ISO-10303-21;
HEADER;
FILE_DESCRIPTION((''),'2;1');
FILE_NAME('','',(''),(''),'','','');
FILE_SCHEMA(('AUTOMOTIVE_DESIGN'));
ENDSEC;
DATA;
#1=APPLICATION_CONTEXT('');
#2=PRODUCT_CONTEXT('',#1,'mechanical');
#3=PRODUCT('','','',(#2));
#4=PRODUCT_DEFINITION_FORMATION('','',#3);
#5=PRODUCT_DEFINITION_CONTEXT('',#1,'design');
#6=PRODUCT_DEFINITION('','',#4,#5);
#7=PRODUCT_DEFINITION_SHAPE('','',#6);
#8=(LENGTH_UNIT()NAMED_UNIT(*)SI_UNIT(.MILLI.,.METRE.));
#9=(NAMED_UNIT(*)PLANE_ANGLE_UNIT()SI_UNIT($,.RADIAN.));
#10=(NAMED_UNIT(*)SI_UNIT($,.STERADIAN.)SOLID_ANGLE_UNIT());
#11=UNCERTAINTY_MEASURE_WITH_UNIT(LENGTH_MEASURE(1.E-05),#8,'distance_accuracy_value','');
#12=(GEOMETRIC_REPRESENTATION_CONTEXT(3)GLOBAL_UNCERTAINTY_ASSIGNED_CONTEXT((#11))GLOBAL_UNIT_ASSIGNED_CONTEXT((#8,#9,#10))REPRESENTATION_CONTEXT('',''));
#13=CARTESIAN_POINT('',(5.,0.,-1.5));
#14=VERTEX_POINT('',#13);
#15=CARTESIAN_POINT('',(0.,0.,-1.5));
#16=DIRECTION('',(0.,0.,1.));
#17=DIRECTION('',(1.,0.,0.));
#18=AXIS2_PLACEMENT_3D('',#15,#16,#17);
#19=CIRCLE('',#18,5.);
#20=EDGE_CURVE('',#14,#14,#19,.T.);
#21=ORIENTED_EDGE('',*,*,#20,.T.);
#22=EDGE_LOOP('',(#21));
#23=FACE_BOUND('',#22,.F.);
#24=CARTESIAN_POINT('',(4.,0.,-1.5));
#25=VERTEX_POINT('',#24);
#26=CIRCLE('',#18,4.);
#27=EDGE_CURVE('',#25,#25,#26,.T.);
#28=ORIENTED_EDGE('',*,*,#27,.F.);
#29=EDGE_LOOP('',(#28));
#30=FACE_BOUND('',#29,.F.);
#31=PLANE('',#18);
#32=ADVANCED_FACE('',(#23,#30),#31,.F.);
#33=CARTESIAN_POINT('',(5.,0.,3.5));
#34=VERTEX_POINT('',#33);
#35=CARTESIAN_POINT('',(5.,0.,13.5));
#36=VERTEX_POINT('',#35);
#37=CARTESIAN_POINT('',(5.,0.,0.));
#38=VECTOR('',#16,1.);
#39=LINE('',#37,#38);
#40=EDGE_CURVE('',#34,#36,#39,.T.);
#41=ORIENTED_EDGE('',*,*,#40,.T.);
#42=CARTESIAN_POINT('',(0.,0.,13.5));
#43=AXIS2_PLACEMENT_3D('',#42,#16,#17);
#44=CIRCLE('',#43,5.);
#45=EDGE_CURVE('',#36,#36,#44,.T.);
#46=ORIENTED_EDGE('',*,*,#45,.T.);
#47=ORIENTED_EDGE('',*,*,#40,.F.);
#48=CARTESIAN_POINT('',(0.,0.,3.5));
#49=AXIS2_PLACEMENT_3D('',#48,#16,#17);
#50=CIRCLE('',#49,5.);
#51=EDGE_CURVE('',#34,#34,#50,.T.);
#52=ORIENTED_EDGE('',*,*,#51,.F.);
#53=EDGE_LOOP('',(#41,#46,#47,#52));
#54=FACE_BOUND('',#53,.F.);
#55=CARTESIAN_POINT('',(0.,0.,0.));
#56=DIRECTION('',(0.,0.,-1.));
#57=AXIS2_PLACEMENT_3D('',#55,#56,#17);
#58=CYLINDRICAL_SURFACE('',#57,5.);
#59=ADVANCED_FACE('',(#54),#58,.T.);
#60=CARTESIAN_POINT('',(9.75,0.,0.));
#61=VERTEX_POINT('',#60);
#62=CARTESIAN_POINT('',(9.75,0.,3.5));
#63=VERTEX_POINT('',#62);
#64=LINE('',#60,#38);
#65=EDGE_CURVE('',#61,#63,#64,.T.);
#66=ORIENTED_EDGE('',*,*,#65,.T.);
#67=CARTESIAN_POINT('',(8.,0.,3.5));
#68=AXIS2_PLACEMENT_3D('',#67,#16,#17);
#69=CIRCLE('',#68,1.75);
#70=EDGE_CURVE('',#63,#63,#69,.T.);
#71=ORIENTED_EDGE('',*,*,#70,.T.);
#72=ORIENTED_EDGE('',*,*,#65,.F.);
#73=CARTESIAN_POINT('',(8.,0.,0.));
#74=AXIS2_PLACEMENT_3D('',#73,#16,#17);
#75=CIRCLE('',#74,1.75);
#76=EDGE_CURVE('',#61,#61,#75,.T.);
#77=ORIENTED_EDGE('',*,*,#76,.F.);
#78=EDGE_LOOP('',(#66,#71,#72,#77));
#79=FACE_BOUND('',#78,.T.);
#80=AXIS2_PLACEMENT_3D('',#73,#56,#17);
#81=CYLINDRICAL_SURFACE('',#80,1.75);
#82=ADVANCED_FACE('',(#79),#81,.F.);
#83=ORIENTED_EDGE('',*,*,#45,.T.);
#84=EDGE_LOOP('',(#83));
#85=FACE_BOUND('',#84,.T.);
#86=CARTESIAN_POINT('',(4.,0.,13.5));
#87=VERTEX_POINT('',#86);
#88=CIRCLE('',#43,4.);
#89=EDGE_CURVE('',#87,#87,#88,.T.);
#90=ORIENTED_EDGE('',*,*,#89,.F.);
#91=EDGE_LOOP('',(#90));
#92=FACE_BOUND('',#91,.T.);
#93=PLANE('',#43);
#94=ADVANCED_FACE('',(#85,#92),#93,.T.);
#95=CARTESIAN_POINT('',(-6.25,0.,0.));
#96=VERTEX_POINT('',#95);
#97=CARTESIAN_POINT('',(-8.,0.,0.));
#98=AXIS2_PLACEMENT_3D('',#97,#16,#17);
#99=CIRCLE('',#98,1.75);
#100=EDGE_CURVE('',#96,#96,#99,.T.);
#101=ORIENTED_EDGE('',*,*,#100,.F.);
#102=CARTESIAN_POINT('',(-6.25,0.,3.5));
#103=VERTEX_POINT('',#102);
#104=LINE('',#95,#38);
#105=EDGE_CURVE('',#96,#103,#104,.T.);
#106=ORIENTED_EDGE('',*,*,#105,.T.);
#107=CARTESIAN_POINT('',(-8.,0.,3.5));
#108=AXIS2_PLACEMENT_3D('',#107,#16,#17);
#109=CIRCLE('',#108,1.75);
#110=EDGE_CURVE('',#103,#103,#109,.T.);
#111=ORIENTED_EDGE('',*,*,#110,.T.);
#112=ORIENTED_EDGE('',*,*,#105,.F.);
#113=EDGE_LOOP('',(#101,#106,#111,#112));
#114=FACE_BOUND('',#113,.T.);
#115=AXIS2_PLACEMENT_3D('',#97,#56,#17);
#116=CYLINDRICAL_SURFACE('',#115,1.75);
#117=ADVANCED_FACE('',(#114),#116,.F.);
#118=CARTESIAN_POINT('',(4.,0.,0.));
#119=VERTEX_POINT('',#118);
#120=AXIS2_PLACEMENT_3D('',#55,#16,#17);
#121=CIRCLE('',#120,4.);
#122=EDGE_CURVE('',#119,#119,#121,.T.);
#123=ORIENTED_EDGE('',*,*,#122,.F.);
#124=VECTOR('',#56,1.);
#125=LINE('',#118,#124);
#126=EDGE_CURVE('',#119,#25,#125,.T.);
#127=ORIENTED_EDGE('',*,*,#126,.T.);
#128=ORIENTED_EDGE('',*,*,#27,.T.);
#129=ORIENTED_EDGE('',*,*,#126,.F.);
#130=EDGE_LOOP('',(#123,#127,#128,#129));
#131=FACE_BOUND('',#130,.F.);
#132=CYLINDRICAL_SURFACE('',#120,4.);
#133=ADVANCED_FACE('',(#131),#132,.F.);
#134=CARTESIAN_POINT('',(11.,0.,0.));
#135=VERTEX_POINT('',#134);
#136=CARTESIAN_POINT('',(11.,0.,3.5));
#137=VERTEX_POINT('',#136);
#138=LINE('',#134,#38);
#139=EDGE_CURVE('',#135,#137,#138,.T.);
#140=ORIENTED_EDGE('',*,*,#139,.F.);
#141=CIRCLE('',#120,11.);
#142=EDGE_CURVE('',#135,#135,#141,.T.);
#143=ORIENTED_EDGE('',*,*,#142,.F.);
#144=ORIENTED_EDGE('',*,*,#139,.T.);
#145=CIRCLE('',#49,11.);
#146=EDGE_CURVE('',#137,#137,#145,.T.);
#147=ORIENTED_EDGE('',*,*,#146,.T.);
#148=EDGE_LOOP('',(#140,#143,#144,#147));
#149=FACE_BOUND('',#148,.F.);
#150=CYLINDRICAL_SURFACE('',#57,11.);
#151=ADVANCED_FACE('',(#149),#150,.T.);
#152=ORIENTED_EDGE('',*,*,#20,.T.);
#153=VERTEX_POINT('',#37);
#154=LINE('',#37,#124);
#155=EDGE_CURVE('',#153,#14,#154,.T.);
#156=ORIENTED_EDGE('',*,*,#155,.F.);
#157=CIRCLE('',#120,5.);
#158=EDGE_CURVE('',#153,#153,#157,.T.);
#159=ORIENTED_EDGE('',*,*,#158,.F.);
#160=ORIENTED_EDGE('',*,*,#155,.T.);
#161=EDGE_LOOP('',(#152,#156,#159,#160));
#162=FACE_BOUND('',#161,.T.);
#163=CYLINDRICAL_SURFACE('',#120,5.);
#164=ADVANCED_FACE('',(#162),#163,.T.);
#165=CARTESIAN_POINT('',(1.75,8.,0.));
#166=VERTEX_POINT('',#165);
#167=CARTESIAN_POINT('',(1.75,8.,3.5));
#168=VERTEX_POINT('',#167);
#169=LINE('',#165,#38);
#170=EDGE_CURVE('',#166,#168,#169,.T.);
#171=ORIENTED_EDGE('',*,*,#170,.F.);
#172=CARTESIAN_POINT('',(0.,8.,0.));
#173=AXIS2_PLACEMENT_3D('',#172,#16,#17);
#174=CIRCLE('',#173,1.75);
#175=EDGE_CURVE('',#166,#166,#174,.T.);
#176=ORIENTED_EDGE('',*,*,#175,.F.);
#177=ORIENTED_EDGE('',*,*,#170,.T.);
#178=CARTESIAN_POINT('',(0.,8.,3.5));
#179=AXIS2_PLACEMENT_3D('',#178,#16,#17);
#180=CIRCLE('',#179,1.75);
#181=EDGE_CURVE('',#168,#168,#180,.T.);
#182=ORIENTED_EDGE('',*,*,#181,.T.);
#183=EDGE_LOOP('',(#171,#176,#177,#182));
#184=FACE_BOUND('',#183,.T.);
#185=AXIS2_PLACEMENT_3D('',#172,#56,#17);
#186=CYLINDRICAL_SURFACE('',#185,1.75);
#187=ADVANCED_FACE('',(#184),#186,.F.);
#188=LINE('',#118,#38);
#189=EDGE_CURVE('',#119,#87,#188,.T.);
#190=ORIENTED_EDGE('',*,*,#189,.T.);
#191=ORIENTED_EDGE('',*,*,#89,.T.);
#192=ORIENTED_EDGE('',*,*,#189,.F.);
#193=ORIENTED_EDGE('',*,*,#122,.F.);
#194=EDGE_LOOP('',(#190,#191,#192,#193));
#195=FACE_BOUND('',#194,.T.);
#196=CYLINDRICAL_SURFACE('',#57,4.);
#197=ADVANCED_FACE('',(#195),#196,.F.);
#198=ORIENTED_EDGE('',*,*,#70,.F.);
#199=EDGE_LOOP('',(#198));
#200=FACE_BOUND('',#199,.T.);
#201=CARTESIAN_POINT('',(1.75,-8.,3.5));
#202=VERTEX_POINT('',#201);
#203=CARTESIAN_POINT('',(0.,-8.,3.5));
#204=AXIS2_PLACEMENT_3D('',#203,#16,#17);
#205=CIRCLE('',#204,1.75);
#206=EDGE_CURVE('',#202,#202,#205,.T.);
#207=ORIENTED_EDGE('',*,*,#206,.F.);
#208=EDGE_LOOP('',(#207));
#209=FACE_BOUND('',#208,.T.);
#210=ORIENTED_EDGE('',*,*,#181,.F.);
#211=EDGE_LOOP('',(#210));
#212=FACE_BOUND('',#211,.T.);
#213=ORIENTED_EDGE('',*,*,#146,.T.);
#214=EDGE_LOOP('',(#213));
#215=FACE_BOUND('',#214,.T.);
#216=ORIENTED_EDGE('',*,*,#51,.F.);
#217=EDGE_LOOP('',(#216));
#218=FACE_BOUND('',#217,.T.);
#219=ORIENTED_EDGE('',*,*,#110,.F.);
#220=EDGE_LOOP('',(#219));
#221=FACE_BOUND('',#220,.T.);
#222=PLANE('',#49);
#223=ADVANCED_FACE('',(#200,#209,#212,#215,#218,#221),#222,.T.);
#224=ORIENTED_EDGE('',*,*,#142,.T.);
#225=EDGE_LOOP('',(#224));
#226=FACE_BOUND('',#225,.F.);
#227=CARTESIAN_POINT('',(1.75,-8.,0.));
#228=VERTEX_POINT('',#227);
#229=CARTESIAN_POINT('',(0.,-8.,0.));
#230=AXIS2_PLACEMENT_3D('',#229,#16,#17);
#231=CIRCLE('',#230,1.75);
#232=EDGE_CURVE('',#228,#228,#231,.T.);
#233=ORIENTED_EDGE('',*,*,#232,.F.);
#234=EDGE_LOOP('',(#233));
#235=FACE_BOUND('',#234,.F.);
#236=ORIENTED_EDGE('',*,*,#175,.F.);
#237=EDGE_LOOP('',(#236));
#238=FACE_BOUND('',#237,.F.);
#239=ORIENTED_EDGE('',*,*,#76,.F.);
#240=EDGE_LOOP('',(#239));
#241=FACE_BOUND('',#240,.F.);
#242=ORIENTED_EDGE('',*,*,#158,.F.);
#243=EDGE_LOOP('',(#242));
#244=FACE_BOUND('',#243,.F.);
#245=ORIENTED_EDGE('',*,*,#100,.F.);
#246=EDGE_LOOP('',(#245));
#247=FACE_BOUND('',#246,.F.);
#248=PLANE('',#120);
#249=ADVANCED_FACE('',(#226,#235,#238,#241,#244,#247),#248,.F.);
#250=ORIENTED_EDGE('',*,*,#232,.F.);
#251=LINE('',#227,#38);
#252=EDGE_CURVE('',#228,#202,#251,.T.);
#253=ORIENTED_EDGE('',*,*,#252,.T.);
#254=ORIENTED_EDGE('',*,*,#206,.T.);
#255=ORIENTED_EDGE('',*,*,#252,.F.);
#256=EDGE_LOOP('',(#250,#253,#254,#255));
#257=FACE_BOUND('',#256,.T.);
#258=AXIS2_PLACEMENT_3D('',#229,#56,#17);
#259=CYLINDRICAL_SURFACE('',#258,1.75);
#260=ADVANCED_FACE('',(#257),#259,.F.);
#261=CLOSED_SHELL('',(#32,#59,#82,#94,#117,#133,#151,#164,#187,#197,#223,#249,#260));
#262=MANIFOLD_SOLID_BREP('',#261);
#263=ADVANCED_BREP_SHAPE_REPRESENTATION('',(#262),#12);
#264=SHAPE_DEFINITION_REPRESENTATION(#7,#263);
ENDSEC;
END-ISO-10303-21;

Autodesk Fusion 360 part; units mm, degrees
sketch "Sketch1" plane through (0, 0, 0) normal (0, 0, 1) x (1, 0, 0)
  circle A0 centre (0, 0) radius 11
  circle A1 centre (0, 0) radius 4
  circle A2 centre (0, 0) radius 5
  circle A3 centre (0, 0) radius 8 construction
  circle A4 centre (0, 8) radius 1.75
  circle A5 centre (-8, 0) radius 1.75
  circle A6 centre (0, -8) radius 1.75
  circle A7 centre (8, 0) radius 1.75
  dimension "d1" = 22
  dimension "d2" = 8
  dimension "d3" = 10
  dimension "d6" = 16
  dimension "d7" = 3.5
  dimension "d9" = 360
extrude "Extrude1" add sketch "Sketch1" along normal blind 3.5 contours A0
extrude "Extrude2" add sketch "Sketch1" along normal blind 13.5 and the other way blind 1.5 contours A2
thread "Thread1"
